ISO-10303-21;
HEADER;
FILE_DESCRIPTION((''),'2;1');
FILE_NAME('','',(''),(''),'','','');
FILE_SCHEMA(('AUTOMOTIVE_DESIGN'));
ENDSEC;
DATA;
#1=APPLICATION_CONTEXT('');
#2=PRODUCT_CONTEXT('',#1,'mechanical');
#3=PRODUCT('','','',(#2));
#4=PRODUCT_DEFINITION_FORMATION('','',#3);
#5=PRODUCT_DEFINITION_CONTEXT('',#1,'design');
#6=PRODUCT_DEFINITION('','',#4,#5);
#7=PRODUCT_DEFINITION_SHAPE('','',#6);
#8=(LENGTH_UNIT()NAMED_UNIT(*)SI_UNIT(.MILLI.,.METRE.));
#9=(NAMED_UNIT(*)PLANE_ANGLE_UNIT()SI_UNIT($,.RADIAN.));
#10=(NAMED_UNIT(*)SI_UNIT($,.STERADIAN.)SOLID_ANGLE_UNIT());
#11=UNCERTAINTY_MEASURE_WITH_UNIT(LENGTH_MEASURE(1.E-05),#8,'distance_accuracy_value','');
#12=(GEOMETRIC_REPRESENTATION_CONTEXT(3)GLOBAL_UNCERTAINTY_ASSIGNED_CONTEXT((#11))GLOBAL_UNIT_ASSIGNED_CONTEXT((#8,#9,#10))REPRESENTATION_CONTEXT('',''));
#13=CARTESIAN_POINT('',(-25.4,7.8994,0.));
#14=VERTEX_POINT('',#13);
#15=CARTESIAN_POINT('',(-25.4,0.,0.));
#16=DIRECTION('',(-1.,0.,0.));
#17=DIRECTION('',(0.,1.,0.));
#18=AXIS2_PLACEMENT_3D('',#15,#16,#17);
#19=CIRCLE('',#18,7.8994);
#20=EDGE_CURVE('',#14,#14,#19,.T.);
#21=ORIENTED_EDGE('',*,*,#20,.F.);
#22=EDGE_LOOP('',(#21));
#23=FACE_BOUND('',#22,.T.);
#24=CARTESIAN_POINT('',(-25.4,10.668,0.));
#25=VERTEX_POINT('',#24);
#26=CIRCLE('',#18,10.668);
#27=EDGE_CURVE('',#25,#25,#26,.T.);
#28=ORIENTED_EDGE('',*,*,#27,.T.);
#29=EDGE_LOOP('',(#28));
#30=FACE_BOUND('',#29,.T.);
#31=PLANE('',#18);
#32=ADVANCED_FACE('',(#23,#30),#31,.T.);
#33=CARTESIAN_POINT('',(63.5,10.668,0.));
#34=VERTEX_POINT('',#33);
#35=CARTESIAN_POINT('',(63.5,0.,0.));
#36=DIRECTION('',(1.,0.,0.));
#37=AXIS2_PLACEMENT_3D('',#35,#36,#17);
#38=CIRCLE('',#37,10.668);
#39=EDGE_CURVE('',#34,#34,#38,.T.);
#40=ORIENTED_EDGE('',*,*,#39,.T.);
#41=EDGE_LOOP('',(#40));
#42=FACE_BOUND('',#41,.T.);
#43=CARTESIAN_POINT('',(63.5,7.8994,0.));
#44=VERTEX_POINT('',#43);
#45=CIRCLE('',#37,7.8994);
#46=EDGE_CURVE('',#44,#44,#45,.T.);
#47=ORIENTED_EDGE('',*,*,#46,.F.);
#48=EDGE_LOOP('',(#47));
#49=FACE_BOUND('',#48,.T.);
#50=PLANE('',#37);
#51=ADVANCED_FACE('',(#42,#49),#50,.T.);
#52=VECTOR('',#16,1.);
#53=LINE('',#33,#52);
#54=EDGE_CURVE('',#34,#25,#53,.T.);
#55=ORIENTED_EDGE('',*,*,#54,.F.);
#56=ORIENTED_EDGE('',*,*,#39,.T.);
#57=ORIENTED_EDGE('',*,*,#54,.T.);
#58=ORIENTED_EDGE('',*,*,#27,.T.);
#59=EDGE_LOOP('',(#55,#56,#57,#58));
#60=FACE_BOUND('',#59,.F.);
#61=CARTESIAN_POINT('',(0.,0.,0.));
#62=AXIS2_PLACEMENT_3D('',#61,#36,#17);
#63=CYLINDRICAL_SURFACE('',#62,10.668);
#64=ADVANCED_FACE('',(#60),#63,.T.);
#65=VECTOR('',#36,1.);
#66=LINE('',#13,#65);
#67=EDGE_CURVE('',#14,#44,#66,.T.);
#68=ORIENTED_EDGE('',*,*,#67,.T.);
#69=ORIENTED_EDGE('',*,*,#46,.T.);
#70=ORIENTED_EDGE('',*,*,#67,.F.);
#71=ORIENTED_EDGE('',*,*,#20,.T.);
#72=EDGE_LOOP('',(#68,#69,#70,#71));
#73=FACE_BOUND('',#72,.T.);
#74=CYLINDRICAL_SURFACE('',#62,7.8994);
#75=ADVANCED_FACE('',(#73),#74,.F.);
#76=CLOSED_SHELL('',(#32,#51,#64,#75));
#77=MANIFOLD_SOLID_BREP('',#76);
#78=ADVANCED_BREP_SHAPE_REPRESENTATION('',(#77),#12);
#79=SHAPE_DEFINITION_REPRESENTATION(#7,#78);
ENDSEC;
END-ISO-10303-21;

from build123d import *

# Parameters (mm, degrees)
F0_R        = 10.668
F0_R_2      = 7.8994
F1_DEPTH    = 63.5
F1_FACE_R   = 10.668
F1_FACE_R_2 = 7.8994
F2_DEPTH    = 25.4


with BuildPart() as f1:
    # F0 (on Right) → F1 (new body)
    with BuildSketch(Plane.YZ):
        Circle(F0_R)
        Circle(F0_R_2, mode=Mode.SUBTRACT)
    extrude(amount=F1_DEPTH)

    # F1_face (on face) → F2 (join)
    with BuildSketch(Plane(origin=(0, 0, 0), x_dir=(0, 1, 0), z_dir=(-1, 0, 0))):
        Circle(F1_FACE_R)
        Circle(F1_FACE_R_2, mode=Mode.SUBTRACT)
    extrude(amount=F2_DEPTH)


solid = f1.part
